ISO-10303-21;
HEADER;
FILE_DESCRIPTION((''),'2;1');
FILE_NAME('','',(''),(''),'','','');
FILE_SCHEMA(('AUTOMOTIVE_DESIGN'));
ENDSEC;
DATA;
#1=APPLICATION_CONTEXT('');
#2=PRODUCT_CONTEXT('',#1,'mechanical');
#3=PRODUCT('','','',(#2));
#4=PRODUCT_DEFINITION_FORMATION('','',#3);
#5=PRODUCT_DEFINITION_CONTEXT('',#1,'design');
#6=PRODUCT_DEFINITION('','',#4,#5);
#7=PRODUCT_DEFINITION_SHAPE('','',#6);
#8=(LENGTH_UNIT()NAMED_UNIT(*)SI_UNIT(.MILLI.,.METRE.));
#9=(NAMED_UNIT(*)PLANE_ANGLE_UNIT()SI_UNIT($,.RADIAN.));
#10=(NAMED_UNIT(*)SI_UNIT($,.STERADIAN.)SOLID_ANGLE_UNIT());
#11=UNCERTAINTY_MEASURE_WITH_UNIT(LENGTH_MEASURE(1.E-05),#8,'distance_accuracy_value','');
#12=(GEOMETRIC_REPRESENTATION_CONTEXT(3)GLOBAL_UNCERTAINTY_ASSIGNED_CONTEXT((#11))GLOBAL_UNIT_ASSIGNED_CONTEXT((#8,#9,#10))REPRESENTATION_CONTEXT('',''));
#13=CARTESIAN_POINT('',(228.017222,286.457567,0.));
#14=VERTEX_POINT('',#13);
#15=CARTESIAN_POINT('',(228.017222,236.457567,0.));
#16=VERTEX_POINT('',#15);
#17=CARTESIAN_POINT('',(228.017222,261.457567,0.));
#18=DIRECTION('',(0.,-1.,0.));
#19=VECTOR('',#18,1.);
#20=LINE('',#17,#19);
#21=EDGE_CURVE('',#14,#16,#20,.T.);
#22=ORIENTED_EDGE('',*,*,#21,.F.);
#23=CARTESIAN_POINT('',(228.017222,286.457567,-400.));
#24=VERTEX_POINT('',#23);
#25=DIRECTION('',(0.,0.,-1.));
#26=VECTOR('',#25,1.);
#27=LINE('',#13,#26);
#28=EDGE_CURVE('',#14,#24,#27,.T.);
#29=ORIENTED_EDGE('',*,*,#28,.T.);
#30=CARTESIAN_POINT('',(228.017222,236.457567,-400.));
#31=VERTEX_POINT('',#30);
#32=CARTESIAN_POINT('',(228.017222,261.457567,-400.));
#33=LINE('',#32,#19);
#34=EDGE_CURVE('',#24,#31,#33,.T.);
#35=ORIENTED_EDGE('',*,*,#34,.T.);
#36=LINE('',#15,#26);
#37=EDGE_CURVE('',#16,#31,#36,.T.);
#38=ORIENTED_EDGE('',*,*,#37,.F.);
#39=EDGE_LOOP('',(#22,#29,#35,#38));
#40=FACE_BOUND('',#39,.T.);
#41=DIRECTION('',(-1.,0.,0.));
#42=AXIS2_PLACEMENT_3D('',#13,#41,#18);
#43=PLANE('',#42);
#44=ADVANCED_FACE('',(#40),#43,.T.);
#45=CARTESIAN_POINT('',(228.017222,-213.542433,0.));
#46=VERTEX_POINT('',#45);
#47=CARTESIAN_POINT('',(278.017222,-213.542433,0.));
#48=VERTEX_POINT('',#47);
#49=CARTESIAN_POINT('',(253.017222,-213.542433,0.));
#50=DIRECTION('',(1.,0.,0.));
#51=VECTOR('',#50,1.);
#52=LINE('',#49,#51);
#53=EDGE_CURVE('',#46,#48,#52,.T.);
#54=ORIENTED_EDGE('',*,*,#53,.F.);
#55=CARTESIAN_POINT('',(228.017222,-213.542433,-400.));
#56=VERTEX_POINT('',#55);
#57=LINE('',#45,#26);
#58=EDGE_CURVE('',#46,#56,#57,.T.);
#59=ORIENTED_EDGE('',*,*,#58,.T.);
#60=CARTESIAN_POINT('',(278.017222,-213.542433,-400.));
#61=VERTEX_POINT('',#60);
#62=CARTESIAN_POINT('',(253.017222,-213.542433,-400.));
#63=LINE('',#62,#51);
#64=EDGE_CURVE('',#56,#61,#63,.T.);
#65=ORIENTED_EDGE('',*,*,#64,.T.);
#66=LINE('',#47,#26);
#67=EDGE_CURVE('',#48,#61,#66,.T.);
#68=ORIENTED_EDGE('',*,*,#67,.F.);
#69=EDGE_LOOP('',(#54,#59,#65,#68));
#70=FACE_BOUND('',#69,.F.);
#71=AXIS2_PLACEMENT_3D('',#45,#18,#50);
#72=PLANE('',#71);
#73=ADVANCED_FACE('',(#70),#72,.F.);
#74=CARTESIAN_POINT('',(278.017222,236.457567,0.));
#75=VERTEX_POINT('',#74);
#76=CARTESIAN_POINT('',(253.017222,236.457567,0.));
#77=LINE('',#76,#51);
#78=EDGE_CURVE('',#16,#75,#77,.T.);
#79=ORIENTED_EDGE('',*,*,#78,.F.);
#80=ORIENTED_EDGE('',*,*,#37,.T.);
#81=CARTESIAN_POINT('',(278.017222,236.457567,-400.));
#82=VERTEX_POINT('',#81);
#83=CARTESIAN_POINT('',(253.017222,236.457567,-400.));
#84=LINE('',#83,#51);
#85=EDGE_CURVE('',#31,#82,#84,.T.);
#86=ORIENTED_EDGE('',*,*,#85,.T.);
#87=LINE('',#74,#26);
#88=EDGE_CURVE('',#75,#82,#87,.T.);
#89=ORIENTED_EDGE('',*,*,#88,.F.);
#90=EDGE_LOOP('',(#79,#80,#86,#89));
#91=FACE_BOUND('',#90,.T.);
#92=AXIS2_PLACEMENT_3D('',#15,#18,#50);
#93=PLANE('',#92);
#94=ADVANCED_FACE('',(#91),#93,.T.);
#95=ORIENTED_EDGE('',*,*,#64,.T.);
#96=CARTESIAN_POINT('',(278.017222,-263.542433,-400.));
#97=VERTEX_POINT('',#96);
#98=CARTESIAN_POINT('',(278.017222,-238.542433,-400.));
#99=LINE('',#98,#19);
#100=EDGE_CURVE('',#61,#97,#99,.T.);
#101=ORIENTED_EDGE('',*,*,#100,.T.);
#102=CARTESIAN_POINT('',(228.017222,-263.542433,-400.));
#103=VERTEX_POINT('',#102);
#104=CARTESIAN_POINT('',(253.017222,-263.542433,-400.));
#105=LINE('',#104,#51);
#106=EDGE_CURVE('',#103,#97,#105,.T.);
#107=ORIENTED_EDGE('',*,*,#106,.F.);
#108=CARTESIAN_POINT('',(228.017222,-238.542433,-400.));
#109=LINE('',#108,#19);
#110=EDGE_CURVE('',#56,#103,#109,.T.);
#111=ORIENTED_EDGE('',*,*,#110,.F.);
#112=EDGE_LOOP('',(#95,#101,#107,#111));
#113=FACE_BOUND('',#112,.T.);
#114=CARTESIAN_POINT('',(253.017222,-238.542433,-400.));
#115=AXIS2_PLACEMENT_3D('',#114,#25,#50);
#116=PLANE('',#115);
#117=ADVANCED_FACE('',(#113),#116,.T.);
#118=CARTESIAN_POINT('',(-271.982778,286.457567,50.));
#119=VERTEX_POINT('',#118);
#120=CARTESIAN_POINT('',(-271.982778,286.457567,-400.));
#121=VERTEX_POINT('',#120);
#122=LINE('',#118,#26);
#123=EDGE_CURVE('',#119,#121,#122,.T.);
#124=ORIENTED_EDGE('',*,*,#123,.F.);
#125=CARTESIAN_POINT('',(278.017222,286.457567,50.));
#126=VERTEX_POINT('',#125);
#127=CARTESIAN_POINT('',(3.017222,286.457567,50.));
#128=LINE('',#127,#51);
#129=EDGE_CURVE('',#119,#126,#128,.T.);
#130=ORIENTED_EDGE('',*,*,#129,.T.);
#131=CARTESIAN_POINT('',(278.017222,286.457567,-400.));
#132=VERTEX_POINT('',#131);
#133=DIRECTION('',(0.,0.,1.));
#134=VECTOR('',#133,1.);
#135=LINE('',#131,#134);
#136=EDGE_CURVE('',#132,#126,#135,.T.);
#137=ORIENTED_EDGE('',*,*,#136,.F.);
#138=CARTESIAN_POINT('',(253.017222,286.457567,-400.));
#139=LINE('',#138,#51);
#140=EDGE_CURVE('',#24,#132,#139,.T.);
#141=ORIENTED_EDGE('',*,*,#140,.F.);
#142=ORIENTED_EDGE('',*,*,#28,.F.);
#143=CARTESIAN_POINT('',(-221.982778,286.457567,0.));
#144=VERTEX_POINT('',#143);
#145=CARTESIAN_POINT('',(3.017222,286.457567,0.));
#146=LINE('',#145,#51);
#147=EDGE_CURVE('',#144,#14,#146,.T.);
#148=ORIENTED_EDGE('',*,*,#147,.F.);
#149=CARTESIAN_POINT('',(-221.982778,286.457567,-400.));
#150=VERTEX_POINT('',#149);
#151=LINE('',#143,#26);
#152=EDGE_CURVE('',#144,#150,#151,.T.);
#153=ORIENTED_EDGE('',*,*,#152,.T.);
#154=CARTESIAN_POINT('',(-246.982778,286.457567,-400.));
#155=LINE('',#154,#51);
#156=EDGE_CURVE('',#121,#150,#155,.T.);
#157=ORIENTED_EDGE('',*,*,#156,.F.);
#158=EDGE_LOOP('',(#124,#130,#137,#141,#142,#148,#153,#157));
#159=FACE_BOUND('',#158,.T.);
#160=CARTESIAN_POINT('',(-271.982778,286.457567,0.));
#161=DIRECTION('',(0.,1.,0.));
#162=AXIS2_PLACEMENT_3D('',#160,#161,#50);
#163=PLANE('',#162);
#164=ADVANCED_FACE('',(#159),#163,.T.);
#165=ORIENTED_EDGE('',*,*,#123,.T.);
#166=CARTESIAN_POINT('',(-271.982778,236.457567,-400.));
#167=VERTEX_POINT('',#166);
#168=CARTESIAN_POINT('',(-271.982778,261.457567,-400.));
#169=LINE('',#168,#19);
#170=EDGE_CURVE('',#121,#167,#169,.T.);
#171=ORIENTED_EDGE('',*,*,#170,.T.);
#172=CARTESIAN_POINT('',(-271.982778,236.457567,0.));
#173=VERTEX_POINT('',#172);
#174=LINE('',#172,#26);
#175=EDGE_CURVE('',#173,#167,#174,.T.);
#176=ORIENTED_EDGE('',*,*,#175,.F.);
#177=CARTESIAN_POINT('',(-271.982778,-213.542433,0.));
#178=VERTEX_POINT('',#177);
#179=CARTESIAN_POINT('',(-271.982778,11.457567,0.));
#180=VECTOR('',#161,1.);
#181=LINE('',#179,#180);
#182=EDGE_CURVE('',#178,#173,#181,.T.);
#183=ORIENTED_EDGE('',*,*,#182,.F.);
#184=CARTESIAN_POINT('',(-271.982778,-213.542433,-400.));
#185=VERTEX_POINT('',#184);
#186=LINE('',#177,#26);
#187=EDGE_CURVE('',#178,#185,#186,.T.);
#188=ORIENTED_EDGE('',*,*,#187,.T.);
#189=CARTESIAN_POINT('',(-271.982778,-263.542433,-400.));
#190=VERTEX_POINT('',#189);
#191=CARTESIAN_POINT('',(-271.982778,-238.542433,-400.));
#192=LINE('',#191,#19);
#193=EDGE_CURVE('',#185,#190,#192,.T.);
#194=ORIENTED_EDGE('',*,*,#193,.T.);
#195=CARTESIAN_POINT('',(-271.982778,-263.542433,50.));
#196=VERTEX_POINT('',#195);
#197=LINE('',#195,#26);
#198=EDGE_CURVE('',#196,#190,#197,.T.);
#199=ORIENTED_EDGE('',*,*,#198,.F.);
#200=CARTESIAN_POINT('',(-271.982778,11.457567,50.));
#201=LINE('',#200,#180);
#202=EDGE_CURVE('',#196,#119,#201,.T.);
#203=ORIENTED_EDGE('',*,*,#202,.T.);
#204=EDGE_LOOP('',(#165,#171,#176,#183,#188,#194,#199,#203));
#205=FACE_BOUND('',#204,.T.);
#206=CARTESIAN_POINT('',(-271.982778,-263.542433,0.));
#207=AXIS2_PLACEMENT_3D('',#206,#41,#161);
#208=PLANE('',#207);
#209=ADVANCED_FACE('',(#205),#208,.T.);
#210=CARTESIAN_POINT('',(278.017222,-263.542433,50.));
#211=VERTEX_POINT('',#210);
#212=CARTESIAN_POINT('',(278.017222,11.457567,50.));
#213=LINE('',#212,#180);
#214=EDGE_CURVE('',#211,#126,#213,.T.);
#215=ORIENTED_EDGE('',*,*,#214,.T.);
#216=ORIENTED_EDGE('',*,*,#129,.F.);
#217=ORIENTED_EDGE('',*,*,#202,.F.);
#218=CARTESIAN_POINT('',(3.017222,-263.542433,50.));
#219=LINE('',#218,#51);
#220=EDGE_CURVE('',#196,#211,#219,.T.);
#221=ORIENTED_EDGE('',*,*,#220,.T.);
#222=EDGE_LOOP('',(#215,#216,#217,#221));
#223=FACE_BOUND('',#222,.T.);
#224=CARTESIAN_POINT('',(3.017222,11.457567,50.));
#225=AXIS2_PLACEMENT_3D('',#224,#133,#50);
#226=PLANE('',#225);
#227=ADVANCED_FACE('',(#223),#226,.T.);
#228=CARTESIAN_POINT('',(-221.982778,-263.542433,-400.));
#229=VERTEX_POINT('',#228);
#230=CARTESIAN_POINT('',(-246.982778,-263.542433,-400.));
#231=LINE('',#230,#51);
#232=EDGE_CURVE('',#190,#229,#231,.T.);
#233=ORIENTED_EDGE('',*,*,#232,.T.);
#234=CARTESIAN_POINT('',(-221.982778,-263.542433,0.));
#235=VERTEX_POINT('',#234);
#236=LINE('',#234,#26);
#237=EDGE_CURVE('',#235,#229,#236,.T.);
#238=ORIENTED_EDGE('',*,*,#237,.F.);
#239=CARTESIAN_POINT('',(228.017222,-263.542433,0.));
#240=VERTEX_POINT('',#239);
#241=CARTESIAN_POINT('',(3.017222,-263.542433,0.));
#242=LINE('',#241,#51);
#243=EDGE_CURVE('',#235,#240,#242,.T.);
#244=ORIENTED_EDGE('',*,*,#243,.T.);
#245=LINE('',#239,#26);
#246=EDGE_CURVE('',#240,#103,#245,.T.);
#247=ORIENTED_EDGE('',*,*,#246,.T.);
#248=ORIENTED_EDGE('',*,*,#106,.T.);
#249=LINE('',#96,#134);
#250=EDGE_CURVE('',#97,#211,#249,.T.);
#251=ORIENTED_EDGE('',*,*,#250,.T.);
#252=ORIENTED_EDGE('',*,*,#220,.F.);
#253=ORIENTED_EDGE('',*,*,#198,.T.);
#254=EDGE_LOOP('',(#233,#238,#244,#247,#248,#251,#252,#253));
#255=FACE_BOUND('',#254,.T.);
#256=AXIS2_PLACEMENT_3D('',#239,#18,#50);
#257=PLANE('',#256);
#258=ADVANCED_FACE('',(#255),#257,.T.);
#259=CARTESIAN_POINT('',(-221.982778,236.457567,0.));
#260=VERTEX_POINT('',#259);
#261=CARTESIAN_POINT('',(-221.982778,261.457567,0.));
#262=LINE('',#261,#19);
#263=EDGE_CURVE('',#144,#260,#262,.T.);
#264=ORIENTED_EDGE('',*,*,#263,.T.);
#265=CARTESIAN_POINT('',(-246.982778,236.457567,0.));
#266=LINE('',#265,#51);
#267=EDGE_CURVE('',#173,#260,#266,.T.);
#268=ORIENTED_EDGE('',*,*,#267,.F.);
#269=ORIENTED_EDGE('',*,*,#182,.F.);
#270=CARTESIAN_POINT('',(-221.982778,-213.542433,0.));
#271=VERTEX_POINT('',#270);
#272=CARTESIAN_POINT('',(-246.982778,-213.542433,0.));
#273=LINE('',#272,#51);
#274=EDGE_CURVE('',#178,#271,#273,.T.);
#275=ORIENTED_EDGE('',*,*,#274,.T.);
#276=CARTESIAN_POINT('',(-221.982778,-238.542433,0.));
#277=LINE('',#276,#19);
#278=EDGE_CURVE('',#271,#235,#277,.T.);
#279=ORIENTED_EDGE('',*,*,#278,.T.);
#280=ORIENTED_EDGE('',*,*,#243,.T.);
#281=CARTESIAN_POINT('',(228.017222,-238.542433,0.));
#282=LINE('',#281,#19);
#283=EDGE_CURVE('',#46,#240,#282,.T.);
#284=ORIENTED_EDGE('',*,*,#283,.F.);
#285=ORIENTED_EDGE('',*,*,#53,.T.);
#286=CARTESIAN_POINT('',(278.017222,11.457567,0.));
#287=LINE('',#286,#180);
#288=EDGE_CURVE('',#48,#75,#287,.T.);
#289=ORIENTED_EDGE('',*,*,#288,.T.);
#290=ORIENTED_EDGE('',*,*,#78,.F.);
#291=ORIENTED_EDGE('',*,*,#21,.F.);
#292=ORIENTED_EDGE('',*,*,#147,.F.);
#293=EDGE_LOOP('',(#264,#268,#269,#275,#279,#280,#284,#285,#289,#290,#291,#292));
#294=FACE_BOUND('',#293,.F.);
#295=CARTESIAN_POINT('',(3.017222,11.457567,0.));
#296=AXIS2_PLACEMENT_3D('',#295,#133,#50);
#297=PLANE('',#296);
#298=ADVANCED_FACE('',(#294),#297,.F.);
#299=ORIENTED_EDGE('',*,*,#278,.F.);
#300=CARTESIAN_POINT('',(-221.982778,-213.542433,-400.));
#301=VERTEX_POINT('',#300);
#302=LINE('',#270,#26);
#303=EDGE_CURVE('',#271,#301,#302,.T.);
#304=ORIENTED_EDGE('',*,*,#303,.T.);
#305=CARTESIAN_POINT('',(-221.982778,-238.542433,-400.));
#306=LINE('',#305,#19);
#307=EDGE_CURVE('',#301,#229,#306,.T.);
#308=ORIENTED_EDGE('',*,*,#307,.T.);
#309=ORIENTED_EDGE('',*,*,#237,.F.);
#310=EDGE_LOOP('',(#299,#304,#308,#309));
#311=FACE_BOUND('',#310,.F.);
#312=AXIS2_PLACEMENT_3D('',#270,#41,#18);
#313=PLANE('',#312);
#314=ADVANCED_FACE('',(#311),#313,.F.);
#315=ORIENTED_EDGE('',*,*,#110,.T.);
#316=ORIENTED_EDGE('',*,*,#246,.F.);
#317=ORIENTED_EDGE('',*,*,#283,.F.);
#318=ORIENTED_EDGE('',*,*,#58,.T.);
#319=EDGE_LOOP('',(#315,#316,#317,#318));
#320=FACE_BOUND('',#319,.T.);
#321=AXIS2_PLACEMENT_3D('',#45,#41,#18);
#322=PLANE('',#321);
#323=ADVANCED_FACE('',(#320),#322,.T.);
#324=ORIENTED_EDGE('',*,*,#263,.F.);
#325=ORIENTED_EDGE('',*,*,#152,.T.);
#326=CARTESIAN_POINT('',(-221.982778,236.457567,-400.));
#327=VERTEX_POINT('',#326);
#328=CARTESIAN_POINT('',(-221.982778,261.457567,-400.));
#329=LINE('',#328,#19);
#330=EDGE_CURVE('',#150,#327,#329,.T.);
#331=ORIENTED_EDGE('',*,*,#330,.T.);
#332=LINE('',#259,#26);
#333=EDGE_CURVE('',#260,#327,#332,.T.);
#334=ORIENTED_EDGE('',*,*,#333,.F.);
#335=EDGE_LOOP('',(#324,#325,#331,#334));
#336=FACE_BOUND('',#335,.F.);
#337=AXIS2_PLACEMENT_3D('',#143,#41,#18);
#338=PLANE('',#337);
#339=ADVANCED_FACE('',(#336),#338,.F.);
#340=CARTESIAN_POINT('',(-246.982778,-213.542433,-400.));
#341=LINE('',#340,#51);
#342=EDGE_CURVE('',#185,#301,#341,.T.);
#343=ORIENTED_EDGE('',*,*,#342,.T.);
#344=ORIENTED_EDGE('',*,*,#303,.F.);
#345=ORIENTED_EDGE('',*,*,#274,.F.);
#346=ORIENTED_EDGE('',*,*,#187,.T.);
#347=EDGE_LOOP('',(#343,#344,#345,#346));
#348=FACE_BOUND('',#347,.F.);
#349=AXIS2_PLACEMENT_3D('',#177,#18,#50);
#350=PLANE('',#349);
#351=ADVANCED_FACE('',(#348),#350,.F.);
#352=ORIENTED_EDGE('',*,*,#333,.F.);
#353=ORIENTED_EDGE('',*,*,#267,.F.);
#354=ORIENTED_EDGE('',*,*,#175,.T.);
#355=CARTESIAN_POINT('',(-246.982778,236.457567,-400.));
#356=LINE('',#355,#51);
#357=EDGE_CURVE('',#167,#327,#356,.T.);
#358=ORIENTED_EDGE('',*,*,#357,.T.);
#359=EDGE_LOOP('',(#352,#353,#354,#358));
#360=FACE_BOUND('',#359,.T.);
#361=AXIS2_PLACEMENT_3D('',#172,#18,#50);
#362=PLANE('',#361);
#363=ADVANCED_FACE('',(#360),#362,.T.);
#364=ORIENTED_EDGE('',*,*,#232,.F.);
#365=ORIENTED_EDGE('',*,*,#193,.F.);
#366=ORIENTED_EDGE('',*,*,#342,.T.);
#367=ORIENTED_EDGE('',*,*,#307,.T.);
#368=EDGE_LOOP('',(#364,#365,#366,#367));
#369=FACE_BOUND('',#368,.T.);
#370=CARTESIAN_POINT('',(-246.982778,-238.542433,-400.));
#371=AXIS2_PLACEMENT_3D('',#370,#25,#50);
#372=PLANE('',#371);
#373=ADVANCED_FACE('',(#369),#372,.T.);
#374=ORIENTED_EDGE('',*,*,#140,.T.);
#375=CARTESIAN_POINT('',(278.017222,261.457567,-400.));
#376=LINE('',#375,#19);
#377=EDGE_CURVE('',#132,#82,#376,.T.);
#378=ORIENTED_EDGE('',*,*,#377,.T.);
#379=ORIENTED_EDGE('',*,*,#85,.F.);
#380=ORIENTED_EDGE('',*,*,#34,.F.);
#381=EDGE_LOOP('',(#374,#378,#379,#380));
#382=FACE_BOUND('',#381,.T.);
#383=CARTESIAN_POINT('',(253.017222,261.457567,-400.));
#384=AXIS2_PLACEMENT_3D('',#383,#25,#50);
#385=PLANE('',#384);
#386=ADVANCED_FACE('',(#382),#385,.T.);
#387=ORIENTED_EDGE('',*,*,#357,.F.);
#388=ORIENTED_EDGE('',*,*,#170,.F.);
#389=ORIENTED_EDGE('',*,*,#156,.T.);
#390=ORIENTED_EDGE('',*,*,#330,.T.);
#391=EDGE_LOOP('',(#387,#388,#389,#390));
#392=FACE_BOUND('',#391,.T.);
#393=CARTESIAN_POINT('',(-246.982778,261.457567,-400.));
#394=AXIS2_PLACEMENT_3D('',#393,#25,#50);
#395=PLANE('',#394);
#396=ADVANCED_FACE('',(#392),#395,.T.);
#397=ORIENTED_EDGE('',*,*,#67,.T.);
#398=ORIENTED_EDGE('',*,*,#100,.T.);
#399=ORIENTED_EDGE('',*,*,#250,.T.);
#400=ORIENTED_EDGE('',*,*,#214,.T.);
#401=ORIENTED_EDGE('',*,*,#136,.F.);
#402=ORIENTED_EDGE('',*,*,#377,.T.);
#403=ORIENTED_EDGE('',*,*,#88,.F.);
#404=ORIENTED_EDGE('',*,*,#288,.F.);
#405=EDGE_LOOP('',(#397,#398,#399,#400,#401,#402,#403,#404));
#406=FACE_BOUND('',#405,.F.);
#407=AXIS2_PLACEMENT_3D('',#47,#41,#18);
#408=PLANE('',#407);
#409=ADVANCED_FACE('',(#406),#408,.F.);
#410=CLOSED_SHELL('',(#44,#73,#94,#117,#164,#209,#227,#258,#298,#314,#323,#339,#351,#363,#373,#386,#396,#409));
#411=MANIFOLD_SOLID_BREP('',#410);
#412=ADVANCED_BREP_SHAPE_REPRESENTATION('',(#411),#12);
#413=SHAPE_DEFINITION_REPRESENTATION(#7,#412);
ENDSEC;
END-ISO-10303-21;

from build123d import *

# Parameters (mm, degrees)
F0_W     = 550
F0_H     = 550
F1_DEPTH = 50
F2_W     = 50
F2_H     = 50
F3_DEPTH = 400


with BuildPart() as f1:
    # F0 (on Top) → F1 (new body)
    with BuildSketch(Plane.XY):
        with Locations((3.017222, 11.457567)):
            Rectangle(F0_W, F0_H)
    extrude(amount=F1_DEPTH)

    # F2 (on face) → F3 (join)
    with BuildSketch(Plane(origin=(0, 0, 0), x_dir=(1, 0, 0), z_dir=(0, 0, -1))):
        with Locations((253.017222, 238.542433)):
            Rectangle(F2_W, F2_H)
        with Locations((-246.982778, 238.542433)):
            Rectangle(F2_W, F2_H)
        with Locations((-246.982778, -261.457567)):
            Rectangle(F2_W, F2_H)
        with Locations((253.017222, -261.457567)):
            Rectangle(F2_W, F2_H)
    extrude(amount=F3_DEPTH)


solid = f1.part
